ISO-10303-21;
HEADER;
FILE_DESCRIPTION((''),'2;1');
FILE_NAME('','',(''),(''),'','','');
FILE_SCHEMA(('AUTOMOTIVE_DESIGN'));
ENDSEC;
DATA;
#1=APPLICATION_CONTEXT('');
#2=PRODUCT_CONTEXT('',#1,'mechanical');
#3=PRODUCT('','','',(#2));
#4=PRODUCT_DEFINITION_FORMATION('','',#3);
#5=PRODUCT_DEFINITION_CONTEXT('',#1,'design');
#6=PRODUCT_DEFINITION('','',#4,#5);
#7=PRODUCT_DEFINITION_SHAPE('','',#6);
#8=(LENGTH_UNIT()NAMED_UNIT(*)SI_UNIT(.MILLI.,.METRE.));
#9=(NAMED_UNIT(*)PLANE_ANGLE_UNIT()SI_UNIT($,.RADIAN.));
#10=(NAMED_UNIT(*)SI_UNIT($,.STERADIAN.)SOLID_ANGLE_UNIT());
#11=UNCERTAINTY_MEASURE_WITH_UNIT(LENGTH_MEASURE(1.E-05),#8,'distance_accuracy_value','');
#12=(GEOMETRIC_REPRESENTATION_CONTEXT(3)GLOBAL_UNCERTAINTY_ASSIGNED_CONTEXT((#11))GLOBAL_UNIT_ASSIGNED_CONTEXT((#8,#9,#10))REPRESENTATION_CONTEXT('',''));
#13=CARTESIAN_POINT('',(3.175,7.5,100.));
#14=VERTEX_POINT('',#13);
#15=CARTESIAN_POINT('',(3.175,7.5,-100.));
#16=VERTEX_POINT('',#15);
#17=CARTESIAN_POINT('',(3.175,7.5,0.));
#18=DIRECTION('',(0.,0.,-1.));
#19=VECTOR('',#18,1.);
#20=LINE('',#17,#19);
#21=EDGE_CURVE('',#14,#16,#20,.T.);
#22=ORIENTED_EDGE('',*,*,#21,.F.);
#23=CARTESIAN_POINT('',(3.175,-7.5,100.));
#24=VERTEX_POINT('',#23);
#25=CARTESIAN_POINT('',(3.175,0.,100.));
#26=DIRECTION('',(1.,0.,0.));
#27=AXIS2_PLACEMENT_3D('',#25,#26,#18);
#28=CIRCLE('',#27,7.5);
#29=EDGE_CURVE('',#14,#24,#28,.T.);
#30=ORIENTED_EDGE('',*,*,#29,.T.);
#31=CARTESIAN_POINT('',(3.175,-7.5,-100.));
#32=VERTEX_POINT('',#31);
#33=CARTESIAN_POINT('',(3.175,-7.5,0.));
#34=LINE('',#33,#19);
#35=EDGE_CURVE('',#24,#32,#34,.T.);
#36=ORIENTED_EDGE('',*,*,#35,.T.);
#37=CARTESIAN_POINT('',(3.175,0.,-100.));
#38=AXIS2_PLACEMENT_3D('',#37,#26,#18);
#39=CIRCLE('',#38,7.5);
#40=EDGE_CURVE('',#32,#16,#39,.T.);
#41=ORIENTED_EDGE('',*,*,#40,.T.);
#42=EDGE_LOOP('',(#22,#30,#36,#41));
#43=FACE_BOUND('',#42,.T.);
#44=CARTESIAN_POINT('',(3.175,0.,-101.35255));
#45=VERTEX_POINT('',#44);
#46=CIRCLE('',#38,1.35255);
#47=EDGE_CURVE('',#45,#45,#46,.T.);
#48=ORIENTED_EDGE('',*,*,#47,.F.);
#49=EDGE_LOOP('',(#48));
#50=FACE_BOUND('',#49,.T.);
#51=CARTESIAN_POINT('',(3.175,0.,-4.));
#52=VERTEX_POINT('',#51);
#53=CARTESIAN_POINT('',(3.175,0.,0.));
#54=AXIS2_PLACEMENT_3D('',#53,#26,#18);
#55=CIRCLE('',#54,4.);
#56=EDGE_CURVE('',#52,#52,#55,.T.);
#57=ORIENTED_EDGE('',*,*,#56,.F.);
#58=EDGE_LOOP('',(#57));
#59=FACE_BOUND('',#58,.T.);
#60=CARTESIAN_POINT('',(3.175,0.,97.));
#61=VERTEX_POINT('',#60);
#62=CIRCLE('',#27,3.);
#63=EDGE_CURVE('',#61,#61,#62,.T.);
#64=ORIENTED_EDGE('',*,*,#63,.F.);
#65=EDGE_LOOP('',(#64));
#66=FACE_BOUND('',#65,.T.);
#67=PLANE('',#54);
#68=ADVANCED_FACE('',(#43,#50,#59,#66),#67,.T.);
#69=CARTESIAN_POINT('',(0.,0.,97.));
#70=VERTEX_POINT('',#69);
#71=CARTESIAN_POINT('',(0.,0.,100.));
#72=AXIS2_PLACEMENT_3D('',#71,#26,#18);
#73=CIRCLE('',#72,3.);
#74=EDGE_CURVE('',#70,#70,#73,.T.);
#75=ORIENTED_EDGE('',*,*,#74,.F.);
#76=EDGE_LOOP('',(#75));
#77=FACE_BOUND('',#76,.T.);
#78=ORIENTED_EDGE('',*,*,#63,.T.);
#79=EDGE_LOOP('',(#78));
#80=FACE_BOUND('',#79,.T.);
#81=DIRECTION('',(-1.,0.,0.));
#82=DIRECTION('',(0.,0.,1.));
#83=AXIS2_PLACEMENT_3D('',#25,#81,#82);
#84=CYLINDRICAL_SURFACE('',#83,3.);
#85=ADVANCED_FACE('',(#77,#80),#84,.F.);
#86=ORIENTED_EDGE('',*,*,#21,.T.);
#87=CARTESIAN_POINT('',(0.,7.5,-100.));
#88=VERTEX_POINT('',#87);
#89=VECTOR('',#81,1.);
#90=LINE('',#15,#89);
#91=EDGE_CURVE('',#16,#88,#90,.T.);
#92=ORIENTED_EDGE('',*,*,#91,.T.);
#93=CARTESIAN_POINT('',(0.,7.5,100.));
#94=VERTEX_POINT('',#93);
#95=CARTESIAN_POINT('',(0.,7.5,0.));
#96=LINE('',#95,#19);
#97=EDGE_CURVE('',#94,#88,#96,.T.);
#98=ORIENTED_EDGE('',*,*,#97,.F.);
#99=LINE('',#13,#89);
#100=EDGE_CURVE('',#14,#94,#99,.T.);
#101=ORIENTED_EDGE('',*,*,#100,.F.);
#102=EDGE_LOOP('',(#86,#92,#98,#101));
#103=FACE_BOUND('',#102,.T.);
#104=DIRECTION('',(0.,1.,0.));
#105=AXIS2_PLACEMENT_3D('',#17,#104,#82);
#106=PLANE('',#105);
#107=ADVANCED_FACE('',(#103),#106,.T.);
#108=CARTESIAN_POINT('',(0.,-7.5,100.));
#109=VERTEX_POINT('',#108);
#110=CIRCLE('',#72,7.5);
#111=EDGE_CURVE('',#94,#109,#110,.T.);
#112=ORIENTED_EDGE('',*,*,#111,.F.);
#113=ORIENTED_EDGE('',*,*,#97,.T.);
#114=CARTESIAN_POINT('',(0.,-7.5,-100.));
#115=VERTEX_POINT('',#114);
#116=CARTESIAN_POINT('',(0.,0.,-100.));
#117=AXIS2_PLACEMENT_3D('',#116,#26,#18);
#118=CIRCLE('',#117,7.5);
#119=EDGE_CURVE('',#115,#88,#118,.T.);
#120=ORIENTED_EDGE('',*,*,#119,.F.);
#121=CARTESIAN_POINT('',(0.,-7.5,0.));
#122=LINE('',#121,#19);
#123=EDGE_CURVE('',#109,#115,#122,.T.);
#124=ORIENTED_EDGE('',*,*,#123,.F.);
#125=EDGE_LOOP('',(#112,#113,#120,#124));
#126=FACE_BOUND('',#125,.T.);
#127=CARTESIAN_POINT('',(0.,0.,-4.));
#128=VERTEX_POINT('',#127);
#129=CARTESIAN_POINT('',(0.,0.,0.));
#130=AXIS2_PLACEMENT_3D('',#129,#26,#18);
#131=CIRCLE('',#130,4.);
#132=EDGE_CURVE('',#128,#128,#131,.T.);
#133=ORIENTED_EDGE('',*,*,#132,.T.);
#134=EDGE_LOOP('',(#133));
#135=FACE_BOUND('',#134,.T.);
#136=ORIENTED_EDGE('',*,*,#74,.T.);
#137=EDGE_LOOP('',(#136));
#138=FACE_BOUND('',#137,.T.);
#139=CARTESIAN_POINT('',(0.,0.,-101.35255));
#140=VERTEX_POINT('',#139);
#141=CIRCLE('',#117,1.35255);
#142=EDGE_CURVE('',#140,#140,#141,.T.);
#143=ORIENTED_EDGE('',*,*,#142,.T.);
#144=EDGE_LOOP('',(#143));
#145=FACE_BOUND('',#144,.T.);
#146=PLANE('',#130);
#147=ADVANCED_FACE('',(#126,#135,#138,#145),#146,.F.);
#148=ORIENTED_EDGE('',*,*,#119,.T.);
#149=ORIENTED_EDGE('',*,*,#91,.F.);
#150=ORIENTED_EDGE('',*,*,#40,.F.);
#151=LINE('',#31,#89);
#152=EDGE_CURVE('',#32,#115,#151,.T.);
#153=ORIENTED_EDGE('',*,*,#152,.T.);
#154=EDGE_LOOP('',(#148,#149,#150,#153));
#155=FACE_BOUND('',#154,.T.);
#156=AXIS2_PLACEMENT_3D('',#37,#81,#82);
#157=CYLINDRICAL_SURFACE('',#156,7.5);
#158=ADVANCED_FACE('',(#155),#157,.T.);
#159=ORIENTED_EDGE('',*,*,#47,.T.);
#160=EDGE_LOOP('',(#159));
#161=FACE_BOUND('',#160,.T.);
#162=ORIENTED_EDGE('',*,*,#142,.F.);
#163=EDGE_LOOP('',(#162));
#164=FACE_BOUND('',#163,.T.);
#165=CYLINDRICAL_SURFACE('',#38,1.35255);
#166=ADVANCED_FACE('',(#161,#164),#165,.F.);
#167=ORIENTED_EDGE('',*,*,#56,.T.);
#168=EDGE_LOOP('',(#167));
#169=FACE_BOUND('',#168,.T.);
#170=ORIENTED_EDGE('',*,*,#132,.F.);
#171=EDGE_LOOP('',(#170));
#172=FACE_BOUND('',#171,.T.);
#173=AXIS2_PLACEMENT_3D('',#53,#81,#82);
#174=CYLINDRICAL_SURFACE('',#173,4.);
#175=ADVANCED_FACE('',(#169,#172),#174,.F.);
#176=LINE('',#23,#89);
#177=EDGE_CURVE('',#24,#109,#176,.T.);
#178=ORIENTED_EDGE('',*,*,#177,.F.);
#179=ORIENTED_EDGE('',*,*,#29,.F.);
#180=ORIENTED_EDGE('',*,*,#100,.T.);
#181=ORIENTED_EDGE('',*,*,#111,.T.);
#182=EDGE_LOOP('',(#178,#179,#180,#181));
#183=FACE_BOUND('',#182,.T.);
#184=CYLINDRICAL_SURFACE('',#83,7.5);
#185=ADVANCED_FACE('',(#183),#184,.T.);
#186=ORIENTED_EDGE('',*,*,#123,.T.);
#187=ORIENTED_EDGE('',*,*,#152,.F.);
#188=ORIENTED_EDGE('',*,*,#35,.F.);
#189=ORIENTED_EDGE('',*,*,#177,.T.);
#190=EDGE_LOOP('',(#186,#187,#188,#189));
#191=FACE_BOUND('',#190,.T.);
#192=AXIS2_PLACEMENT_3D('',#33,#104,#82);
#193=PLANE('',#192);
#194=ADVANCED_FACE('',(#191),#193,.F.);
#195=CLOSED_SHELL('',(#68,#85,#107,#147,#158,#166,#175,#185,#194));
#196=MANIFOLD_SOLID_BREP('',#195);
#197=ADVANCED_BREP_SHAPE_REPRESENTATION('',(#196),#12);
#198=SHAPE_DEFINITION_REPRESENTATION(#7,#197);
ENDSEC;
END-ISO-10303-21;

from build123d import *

# Parameters (mm, degrees)
SKETCH1_R             = 3
SKETCH1_R_2           = 4
BOSS_EXTRUDE1_DEPTH   = 3.175
F_6_32_TAPPED_HOLE1_D = 2.7051


with BuildPart() as part:
    # Sketch1 → Boss-Extrude1 (new body)
    with BuildSketch(Plane(origin=(0, 0, 0), x_dir=(0, 0, -1), z_dir=(1, 0, 0))):
        with BuildLine():
            Line((-100, 7.5), (100, 7.5))
            ThreePointArc((100, 7.5), (107.5, 0), (100, -7.5))
            Line((100, -7.5), (-100, -7.5))
            ThreePointArc((-100, -7.5), (-107.5, 0), (-100, 7.5))
        make_face()
        with Locations((-100, 0)):
            Circle(SKETCH1_R, mode=Mode.SUBTRACT)
        Circle(SKETCH1_R_2, mode=Mode.SUBTRACT)
    extrude(amount=BOSS_EXTRUDE1_DEPTH)

    # #6-32 Tapped Hole1 (through all)
    with Locations(Plane(origin=(3.175, 0, 0), x_dir=(0, 0, -1), z_dir=(1, 0, 0))):
        with Locations((100, 0)):
            Hole(F_6_32_TAPPED_HOLE1_D / 2)


solid = part.part
